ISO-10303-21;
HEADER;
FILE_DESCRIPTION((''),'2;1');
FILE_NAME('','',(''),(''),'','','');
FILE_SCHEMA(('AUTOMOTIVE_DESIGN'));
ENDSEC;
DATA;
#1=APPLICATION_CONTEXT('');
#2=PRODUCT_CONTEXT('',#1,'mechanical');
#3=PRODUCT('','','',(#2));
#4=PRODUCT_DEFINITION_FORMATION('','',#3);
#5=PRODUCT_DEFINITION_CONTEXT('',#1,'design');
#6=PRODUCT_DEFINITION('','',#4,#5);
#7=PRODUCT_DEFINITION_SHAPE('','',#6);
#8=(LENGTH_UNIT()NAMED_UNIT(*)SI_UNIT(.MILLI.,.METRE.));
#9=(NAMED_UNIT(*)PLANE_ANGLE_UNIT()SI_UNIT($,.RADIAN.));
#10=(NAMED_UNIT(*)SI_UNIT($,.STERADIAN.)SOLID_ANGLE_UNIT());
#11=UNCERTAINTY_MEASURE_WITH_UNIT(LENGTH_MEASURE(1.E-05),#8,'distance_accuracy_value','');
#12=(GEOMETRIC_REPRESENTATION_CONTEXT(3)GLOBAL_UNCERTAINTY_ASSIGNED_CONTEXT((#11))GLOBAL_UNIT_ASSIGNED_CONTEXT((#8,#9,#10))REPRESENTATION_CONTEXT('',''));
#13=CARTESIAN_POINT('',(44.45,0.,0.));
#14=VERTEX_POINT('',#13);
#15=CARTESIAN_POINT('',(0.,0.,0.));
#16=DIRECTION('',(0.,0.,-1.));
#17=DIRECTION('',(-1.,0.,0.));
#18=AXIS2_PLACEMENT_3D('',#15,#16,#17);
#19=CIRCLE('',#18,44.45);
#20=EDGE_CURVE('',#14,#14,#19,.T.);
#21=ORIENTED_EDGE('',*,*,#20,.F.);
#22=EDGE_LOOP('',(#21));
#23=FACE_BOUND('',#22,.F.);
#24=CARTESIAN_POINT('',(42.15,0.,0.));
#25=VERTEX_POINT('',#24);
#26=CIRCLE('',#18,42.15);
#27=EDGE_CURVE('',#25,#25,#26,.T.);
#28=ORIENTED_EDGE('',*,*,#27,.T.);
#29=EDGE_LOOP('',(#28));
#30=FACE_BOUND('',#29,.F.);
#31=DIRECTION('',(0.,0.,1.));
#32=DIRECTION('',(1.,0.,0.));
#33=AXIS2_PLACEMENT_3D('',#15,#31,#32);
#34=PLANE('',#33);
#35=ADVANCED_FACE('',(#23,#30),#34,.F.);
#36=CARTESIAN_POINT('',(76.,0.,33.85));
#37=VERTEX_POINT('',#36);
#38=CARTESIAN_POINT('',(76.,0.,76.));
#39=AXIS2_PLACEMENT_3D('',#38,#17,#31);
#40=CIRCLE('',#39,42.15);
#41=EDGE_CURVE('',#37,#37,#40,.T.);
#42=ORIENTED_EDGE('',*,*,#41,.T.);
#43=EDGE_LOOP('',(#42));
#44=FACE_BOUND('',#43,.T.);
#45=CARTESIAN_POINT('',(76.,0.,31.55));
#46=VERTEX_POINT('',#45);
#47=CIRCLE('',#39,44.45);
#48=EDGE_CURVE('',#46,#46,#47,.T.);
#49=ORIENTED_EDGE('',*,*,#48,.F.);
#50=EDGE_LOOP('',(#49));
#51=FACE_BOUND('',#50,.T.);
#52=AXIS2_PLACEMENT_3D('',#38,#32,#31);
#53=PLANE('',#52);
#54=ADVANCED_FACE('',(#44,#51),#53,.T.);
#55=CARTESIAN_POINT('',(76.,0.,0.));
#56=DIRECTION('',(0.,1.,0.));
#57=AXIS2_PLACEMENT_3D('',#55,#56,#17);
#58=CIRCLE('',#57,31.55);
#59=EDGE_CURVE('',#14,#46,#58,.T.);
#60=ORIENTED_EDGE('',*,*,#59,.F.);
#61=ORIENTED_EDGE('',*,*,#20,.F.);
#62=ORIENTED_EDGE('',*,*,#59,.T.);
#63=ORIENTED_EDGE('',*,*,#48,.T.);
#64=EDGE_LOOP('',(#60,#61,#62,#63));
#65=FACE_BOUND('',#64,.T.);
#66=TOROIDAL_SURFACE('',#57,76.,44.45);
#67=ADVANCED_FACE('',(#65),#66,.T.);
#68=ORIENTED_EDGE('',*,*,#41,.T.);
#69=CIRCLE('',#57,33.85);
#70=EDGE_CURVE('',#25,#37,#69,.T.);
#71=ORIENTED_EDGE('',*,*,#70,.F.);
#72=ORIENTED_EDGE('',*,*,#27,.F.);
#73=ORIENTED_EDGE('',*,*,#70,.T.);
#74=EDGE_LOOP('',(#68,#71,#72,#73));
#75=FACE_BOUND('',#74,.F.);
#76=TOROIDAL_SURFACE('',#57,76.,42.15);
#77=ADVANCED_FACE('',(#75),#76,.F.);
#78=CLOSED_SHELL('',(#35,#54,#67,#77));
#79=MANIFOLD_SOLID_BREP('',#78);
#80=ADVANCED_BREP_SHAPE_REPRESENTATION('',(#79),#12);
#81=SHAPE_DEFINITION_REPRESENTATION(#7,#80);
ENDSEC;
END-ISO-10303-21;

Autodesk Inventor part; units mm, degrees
ref_plane "YZ Plane" through (0, 0, 0) normal (1, 0, 0) x (0, 1, 0)
ref_plane "XZ Plane" through (0, 0, 0) normal (0, 1, 0) x (-1, 0, 0)
ref_plane "XY Plane" through (0, 0, 0) normal (0, 0, 1) x (1, 0, 0)
sketch "Sketch1" plane through (0, 0, 0) normal (0, 0, 1) x (1, 0, 0)
  circle A0 centre (0, 0) radius 42.15
  circle A1 centre (0, 0) radius 44.45
  dimension "d0" = 84.3
  dimension "d1" = 88.9
sketch "Sketch2" plane through (0, 0, 0) normal (0, 1, 0) x (-1, 0, 0)
  line L0 (0, 0) -> (0, 76) construction
  line L1 (0, 76) -> (-76, 76) construction
  arc A0 (0, 0) -> (-76, 76) centre (-76, 0) ccw
  dimension "d2" = 76
  dimension "d3" = 76
sweep "Sweep1" add profiles "Sketch1" path "Sketch2"
equation "\"d0\" = -2 * s1 + da"
equation "\"d1\" = da"
equation "\"d2\" = r"
equation "\"d3\" = r"
equation "\"da\" = 88.9"
equation "\"r\" = 76"
equation "\"s1\" = 2.3"
equation "\"Size_Designation\" = 1.2345"
properties part number "DIN 2605 90 Deg Elbow Type 2 88.9 - 2.3S" material "Steel"
